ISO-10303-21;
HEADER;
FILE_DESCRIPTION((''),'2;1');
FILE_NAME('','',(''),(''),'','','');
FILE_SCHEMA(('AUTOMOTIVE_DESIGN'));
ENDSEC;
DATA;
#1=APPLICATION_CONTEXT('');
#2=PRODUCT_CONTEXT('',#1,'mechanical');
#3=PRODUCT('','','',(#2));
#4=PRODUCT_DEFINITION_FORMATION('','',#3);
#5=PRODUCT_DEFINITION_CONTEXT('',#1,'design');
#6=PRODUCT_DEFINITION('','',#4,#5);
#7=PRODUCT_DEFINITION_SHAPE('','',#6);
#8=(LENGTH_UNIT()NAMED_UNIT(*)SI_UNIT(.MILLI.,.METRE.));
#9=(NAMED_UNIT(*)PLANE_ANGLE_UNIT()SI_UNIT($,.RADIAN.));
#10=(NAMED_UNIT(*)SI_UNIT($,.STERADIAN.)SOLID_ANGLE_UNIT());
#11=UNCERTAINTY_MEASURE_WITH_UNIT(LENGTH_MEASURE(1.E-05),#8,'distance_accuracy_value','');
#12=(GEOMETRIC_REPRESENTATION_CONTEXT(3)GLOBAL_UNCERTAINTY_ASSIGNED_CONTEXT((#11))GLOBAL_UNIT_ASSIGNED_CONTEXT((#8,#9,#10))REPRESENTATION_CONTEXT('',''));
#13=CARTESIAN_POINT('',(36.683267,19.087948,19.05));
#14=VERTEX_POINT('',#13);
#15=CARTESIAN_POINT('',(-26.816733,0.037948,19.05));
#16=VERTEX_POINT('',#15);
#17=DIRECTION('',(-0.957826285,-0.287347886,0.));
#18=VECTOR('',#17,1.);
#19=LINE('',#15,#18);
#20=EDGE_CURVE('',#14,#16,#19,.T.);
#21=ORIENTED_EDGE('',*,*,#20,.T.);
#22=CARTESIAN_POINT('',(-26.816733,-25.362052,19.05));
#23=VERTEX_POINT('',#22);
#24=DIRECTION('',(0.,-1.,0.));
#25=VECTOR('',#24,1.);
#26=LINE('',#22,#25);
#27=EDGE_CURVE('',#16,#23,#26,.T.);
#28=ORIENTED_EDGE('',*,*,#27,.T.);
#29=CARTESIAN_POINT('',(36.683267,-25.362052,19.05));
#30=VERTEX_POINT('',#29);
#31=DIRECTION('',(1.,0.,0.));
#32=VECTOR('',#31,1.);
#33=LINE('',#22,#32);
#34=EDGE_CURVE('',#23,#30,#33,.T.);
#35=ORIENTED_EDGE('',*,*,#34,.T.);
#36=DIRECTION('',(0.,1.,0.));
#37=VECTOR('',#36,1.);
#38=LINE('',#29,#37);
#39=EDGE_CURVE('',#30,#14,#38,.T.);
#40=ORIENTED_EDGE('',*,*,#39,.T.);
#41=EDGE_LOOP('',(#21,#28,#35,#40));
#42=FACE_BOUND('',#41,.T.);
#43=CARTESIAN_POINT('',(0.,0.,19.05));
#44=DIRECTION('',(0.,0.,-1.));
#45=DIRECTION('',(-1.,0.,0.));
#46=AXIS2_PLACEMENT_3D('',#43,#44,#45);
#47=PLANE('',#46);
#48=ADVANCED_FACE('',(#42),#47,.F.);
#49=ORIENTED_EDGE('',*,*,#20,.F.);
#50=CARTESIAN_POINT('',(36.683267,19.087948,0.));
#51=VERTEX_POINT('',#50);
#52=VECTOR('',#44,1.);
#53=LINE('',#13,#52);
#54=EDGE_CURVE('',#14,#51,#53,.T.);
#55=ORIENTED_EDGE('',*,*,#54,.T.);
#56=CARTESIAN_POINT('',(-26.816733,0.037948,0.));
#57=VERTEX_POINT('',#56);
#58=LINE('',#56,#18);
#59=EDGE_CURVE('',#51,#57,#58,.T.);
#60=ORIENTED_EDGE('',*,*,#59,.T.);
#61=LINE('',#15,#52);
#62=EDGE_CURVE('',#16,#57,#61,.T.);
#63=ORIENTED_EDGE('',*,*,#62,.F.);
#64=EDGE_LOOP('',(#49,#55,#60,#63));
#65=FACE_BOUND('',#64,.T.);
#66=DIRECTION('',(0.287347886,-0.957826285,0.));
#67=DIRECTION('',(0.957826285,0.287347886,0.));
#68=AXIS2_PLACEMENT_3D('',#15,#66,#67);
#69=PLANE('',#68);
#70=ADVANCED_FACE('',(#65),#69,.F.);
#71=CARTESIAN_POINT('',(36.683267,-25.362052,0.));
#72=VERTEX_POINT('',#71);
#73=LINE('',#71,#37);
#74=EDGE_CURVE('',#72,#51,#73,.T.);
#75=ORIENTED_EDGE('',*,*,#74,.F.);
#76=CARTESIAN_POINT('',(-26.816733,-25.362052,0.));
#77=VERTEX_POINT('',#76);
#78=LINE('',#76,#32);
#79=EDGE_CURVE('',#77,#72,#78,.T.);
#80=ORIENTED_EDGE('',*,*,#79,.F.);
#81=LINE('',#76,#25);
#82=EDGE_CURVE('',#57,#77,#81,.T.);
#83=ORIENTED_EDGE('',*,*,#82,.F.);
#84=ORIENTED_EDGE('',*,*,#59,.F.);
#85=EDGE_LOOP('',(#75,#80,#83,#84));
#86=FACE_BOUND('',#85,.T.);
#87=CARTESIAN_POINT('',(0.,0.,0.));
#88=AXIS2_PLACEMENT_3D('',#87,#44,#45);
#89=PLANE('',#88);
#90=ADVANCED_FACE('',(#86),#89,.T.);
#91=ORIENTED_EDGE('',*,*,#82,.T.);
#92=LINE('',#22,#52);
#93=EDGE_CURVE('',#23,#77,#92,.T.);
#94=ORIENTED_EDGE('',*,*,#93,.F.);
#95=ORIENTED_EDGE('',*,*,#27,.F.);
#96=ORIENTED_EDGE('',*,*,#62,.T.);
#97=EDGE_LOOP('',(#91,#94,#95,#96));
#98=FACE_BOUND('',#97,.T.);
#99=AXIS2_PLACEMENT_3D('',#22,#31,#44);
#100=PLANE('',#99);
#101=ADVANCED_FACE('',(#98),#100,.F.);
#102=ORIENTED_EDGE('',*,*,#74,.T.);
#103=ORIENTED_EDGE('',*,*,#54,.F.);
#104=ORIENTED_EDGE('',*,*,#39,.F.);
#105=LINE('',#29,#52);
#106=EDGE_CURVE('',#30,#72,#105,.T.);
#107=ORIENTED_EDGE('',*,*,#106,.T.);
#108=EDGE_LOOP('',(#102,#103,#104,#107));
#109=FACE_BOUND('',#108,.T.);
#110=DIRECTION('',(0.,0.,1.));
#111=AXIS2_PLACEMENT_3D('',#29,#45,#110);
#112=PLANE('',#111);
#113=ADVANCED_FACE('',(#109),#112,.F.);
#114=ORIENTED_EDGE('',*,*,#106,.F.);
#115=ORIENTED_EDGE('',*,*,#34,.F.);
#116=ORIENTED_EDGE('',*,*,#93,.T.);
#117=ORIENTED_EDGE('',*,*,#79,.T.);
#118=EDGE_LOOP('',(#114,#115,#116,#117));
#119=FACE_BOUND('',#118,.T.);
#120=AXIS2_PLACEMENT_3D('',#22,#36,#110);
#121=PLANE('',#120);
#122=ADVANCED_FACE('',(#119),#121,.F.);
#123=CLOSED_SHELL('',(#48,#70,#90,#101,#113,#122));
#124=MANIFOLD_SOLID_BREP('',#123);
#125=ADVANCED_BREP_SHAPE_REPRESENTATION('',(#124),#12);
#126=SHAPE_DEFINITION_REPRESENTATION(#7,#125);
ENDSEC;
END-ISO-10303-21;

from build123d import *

# Parameters (mm, degrees)
BOSS_EXTRUDE1_DEPTH = 19.05


with BuildPart() as part:
    # Sketch1 → Boss-Extrude1 (new body)
    with BuildSketch(Plane.XY):
        Polygon((-26.816733068, 0.037948207), (36.683266932, 19.087948207), (36.683266932, -25.362051793), (-26.816733068, -25.362051793), align=None)
    extrude(amount=BOSS_EXTRUDE1_DEPTH)


solid = part.part
